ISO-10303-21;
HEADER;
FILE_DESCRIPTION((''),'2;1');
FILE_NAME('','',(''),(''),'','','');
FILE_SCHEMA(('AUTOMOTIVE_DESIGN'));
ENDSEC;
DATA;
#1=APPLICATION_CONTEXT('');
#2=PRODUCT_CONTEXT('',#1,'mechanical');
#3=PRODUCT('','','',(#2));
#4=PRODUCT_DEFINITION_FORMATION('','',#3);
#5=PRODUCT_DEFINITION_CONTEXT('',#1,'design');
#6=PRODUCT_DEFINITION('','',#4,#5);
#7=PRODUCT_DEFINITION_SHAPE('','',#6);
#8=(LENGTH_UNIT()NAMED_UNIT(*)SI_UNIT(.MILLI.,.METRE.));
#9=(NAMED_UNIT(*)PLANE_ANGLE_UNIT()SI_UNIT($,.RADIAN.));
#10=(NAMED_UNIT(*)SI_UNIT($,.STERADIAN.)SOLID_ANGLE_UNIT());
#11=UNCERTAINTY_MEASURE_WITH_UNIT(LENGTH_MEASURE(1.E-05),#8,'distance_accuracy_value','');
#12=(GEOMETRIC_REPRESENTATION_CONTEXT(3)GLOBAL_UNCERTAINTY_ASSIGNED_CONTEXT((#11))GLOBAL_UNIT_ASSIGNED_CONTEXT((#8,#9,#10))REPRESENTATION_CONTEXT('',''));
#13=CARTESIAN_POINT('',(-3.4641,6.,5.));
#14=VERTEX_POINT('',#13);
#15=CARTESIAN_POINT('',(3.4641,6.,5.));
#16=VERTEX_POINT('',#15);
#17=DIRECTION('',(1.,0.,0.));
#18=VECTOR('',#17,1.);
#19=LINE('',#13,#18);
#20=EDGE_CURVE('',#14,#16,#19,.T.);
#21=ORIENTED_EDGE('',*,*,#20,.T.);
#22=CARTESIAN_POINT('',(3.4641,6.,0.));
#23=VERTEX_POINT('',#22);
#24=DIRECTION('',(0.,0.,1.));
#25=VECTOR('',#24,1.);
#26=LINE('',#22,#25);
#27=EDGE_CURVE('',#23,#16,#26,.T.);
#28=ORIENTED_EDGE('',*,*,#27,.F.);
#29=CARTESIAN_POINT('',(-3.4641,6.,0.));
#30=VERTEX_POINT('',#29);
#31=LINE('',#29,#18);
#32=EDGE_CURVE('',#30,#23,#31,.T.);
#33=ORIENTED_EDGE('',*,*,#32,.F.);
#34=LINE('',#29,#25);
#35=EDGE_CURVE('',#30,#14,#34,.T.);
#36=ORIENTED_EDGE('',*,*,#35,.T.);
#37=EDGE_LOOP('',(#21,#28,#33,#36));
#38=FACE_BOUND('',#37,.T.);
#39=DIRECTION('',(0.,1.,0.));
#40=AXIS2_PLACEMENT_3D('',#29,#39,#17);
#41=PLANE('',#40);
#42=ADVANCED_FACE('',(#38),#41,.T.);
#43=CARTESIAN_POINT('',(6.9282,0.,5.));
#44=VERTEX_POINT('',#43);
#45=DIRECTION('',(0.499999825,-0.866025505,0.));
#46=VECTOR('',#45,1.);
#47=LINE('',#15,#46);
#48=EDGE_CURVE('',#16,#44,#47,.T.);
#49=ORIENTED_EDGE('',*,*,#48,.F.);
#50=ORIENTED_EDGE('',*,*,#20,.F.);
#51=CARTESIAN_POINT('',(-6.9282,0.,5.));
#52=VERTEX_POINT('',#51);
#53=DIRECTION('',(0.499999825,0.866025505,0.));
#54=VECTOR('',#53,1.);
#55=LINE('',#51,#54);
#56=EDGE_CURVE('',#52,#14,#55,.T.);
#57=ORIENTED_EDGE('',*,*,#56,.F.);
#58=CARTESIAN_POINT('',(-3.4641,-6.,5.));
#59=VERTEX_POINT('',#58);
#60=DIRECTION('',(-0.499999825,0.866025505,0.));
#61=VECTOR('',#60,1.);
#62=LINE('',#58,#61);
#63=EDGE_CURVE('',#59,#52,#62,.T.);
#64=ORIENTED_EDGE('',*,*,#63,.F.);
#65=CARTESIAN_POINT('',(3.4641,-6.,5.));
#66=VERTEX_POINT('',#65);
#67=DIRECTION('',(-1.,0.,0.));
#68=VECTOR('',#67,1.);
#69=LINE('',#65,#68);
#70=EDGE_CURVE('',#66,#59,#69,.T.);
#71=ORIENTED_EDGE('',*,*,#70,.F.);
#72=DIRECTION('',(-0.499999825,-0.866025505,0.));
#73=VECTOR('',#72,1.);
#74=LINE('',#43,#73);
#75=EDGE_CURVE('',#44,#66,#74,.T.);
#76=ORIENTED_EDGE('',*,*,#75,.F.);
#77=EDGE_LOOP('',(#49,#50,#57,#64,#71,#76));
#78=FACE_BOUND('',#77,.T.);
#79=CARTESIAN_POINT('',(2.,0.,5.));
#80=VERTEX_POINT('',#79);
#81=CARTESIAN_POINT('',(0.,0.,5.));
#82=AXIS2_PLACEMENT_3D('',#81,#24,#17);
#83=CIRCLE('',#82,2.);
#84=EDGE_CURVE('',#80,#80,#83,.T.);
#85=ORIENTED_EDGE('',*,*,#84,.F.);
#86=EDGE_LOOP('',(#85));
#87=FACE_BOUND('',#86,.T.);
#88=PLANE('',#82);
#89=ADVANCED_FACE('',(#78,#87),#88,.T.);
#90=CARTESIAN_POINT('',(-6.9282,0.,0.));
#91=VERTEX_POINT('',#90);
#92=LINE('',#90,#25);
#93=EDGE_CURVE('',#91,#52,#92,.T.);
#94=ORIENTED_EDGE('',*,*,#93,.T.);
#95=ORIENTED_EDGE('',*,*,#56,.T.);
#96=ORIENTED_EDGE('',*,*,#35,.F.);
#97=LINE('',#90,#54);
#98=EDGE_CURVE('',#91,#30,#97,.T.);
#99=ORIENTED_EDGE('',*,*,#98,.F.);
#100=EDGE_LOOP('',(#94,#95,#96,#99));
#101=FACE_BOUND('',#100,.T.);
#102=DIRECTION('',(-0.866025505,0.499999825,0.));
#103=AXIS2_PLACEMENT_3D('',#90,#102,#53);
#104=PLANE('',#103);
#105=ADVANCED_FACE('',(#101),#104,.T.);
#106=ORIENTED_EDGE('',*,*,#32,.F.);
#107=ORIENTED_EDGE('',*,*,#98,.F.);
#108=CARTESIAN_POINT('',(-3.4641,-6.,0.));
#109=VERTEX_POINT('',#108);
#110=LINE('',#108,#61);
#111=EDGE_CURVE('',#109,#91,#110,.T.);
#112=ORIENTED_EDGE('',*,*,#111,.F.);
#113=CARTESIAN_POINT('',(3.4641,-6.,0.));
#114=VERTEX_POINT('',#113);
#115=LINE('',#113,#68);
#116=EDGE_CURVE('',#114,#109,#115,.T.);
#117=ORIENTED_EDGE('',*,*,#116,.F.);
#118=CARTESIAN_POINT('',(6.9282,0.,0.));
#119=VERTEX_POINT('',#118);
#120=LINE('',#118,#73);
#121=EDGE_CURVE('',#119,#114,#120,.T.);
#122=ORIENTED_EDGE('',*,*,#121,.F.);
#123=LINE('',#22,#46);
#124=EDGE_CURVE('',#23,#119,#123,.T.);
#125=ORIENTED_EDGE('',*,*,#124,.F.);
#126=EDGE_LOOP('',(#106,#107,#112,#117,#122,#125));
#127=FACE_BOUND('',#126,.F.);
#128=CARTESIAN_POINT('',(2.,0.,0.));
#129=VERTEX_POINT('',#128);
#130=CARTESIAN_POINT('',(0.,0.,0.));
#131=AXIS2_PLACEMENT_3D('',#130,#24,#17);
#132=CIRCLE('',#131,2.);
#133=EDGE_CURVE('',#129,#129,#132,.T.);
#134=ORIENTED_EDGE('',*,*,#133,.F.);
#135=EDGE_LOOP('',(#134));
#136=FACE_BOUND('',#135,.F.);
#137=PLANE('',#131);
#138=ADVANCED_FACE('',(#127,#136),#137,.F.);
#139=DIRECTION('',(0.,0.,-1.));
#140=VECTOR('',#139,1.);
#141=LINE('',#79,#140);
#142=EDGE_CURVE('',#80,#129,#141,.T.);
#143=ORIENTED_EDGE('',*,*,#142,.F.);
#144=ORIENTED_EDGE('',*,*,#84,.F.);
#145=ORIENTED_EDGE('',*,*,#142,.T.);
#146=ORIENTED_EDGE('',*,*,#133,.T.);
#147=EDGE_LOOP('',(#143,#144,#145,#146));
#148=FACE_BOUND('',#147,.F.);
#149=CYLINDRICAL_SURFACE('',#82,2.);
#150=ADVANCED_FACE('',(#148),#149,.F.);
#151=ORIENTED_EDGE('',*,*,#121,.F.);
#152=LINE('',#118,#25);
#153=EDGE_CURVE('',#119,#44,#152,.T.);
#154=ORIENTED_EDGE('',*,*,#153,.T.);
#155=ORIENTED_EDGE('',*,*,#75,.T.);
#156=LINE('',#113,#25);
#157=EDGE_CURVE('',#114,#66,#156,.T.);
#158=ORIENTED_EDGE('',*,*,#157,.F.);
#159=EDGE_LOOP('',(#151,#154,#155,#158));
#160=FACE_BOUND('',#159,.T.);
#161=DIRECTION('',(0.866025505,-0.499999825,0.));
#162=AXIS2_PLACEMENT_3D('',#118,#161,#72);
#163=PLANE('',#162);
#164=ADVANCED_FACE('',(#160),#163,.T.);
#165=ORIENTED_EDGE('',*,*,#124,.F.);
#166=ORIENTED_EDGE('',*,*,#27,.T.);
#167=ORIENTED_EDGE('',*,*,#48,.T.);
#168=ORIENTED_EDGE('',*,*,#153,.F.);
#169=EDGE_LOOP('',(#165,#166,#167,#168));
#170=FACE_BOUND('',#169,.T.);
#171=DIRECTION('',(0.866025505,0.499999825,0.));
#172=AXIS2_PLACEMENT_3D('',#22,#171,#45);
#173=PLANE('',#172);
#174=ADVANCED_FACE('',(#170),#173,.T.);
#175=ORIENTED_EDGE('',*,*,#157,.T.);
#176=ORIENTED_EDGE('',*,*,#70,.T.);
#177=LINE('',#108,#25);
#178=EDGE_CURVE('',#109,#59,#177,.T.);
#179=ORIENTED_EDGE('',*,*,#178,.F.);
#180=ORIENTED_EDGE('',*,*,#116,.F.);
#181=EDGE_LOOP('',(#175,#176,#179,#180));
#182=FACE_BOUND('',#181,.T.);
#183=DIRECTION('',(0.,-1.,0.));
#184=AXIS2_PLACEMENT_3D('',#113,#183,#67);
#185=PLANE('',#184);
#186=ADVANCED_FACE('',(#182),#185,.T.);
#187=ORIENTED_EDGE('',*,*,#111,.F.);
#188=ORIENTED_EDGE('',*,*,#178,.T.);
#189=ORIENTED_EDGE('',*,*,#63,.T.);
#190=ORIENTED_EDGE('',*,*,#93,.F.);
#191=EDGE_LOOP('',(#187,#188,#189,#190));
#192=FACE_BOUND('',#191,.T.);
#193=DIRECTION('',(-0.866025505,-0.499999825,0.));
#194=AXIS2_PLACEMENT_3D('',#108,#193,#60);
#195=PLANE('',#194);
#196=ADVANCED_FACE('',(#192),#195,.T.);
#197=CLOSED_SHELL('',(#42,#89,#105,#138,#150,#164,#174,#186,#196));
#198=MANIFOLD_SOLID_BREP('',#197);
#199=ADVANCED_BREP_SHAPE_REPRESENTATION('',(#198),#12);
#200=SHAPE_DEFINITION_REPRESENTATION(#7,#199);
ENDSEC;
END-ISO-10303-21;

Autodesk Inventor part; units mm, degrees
ref_plane "YZ Plane" through (0, 0, 0) normal (1, 0, 0) x (0, 1, 0)
ref_plane "XZ Plane" through (0, 0, 0) normal (0, 1, 0) x (-1, 0, 0)
ref_plane "XY Plane" through (0, 0, 0) normal (0, 0, 1) x (1, 0, 0)
sketch "Sketch1" plane through (0, 0, 0) normal (0, 0, 1) x (1, 0, 0)
  line L0 (6.9282, 0) -> (3.4641, -6)
  line L1 (3.4641, -6) -> (-3.4641, -6)
  line L2 (-3.4641, -6) -> (-6.9282, 0)
  line L3 (-6.9282, 0) -> (-3.4641, 6)
  line L4 (-3.4641, 6) -> (3.4641, 6)
  line L5 (3.4641, 6) -> (6.9282, 0)
  point P0 (0, 0)
  point P1 (0, 0)
  dimension "d0" = 12
extrude "Extrusion1" add sketch "Sketch1" along normal blind 5
sketch "Sketch2" plane through (0, 0, 5) normal (0, 0, 1) x (1, 0, 0)
  circle A0 centre (0, 0) radius 2
  dimension "d3" = 4
extrude "Extrusion2" cut sketch "Sketch2" against normal blind 5
properties part number "PX9200-01_Wheel_Hex"
